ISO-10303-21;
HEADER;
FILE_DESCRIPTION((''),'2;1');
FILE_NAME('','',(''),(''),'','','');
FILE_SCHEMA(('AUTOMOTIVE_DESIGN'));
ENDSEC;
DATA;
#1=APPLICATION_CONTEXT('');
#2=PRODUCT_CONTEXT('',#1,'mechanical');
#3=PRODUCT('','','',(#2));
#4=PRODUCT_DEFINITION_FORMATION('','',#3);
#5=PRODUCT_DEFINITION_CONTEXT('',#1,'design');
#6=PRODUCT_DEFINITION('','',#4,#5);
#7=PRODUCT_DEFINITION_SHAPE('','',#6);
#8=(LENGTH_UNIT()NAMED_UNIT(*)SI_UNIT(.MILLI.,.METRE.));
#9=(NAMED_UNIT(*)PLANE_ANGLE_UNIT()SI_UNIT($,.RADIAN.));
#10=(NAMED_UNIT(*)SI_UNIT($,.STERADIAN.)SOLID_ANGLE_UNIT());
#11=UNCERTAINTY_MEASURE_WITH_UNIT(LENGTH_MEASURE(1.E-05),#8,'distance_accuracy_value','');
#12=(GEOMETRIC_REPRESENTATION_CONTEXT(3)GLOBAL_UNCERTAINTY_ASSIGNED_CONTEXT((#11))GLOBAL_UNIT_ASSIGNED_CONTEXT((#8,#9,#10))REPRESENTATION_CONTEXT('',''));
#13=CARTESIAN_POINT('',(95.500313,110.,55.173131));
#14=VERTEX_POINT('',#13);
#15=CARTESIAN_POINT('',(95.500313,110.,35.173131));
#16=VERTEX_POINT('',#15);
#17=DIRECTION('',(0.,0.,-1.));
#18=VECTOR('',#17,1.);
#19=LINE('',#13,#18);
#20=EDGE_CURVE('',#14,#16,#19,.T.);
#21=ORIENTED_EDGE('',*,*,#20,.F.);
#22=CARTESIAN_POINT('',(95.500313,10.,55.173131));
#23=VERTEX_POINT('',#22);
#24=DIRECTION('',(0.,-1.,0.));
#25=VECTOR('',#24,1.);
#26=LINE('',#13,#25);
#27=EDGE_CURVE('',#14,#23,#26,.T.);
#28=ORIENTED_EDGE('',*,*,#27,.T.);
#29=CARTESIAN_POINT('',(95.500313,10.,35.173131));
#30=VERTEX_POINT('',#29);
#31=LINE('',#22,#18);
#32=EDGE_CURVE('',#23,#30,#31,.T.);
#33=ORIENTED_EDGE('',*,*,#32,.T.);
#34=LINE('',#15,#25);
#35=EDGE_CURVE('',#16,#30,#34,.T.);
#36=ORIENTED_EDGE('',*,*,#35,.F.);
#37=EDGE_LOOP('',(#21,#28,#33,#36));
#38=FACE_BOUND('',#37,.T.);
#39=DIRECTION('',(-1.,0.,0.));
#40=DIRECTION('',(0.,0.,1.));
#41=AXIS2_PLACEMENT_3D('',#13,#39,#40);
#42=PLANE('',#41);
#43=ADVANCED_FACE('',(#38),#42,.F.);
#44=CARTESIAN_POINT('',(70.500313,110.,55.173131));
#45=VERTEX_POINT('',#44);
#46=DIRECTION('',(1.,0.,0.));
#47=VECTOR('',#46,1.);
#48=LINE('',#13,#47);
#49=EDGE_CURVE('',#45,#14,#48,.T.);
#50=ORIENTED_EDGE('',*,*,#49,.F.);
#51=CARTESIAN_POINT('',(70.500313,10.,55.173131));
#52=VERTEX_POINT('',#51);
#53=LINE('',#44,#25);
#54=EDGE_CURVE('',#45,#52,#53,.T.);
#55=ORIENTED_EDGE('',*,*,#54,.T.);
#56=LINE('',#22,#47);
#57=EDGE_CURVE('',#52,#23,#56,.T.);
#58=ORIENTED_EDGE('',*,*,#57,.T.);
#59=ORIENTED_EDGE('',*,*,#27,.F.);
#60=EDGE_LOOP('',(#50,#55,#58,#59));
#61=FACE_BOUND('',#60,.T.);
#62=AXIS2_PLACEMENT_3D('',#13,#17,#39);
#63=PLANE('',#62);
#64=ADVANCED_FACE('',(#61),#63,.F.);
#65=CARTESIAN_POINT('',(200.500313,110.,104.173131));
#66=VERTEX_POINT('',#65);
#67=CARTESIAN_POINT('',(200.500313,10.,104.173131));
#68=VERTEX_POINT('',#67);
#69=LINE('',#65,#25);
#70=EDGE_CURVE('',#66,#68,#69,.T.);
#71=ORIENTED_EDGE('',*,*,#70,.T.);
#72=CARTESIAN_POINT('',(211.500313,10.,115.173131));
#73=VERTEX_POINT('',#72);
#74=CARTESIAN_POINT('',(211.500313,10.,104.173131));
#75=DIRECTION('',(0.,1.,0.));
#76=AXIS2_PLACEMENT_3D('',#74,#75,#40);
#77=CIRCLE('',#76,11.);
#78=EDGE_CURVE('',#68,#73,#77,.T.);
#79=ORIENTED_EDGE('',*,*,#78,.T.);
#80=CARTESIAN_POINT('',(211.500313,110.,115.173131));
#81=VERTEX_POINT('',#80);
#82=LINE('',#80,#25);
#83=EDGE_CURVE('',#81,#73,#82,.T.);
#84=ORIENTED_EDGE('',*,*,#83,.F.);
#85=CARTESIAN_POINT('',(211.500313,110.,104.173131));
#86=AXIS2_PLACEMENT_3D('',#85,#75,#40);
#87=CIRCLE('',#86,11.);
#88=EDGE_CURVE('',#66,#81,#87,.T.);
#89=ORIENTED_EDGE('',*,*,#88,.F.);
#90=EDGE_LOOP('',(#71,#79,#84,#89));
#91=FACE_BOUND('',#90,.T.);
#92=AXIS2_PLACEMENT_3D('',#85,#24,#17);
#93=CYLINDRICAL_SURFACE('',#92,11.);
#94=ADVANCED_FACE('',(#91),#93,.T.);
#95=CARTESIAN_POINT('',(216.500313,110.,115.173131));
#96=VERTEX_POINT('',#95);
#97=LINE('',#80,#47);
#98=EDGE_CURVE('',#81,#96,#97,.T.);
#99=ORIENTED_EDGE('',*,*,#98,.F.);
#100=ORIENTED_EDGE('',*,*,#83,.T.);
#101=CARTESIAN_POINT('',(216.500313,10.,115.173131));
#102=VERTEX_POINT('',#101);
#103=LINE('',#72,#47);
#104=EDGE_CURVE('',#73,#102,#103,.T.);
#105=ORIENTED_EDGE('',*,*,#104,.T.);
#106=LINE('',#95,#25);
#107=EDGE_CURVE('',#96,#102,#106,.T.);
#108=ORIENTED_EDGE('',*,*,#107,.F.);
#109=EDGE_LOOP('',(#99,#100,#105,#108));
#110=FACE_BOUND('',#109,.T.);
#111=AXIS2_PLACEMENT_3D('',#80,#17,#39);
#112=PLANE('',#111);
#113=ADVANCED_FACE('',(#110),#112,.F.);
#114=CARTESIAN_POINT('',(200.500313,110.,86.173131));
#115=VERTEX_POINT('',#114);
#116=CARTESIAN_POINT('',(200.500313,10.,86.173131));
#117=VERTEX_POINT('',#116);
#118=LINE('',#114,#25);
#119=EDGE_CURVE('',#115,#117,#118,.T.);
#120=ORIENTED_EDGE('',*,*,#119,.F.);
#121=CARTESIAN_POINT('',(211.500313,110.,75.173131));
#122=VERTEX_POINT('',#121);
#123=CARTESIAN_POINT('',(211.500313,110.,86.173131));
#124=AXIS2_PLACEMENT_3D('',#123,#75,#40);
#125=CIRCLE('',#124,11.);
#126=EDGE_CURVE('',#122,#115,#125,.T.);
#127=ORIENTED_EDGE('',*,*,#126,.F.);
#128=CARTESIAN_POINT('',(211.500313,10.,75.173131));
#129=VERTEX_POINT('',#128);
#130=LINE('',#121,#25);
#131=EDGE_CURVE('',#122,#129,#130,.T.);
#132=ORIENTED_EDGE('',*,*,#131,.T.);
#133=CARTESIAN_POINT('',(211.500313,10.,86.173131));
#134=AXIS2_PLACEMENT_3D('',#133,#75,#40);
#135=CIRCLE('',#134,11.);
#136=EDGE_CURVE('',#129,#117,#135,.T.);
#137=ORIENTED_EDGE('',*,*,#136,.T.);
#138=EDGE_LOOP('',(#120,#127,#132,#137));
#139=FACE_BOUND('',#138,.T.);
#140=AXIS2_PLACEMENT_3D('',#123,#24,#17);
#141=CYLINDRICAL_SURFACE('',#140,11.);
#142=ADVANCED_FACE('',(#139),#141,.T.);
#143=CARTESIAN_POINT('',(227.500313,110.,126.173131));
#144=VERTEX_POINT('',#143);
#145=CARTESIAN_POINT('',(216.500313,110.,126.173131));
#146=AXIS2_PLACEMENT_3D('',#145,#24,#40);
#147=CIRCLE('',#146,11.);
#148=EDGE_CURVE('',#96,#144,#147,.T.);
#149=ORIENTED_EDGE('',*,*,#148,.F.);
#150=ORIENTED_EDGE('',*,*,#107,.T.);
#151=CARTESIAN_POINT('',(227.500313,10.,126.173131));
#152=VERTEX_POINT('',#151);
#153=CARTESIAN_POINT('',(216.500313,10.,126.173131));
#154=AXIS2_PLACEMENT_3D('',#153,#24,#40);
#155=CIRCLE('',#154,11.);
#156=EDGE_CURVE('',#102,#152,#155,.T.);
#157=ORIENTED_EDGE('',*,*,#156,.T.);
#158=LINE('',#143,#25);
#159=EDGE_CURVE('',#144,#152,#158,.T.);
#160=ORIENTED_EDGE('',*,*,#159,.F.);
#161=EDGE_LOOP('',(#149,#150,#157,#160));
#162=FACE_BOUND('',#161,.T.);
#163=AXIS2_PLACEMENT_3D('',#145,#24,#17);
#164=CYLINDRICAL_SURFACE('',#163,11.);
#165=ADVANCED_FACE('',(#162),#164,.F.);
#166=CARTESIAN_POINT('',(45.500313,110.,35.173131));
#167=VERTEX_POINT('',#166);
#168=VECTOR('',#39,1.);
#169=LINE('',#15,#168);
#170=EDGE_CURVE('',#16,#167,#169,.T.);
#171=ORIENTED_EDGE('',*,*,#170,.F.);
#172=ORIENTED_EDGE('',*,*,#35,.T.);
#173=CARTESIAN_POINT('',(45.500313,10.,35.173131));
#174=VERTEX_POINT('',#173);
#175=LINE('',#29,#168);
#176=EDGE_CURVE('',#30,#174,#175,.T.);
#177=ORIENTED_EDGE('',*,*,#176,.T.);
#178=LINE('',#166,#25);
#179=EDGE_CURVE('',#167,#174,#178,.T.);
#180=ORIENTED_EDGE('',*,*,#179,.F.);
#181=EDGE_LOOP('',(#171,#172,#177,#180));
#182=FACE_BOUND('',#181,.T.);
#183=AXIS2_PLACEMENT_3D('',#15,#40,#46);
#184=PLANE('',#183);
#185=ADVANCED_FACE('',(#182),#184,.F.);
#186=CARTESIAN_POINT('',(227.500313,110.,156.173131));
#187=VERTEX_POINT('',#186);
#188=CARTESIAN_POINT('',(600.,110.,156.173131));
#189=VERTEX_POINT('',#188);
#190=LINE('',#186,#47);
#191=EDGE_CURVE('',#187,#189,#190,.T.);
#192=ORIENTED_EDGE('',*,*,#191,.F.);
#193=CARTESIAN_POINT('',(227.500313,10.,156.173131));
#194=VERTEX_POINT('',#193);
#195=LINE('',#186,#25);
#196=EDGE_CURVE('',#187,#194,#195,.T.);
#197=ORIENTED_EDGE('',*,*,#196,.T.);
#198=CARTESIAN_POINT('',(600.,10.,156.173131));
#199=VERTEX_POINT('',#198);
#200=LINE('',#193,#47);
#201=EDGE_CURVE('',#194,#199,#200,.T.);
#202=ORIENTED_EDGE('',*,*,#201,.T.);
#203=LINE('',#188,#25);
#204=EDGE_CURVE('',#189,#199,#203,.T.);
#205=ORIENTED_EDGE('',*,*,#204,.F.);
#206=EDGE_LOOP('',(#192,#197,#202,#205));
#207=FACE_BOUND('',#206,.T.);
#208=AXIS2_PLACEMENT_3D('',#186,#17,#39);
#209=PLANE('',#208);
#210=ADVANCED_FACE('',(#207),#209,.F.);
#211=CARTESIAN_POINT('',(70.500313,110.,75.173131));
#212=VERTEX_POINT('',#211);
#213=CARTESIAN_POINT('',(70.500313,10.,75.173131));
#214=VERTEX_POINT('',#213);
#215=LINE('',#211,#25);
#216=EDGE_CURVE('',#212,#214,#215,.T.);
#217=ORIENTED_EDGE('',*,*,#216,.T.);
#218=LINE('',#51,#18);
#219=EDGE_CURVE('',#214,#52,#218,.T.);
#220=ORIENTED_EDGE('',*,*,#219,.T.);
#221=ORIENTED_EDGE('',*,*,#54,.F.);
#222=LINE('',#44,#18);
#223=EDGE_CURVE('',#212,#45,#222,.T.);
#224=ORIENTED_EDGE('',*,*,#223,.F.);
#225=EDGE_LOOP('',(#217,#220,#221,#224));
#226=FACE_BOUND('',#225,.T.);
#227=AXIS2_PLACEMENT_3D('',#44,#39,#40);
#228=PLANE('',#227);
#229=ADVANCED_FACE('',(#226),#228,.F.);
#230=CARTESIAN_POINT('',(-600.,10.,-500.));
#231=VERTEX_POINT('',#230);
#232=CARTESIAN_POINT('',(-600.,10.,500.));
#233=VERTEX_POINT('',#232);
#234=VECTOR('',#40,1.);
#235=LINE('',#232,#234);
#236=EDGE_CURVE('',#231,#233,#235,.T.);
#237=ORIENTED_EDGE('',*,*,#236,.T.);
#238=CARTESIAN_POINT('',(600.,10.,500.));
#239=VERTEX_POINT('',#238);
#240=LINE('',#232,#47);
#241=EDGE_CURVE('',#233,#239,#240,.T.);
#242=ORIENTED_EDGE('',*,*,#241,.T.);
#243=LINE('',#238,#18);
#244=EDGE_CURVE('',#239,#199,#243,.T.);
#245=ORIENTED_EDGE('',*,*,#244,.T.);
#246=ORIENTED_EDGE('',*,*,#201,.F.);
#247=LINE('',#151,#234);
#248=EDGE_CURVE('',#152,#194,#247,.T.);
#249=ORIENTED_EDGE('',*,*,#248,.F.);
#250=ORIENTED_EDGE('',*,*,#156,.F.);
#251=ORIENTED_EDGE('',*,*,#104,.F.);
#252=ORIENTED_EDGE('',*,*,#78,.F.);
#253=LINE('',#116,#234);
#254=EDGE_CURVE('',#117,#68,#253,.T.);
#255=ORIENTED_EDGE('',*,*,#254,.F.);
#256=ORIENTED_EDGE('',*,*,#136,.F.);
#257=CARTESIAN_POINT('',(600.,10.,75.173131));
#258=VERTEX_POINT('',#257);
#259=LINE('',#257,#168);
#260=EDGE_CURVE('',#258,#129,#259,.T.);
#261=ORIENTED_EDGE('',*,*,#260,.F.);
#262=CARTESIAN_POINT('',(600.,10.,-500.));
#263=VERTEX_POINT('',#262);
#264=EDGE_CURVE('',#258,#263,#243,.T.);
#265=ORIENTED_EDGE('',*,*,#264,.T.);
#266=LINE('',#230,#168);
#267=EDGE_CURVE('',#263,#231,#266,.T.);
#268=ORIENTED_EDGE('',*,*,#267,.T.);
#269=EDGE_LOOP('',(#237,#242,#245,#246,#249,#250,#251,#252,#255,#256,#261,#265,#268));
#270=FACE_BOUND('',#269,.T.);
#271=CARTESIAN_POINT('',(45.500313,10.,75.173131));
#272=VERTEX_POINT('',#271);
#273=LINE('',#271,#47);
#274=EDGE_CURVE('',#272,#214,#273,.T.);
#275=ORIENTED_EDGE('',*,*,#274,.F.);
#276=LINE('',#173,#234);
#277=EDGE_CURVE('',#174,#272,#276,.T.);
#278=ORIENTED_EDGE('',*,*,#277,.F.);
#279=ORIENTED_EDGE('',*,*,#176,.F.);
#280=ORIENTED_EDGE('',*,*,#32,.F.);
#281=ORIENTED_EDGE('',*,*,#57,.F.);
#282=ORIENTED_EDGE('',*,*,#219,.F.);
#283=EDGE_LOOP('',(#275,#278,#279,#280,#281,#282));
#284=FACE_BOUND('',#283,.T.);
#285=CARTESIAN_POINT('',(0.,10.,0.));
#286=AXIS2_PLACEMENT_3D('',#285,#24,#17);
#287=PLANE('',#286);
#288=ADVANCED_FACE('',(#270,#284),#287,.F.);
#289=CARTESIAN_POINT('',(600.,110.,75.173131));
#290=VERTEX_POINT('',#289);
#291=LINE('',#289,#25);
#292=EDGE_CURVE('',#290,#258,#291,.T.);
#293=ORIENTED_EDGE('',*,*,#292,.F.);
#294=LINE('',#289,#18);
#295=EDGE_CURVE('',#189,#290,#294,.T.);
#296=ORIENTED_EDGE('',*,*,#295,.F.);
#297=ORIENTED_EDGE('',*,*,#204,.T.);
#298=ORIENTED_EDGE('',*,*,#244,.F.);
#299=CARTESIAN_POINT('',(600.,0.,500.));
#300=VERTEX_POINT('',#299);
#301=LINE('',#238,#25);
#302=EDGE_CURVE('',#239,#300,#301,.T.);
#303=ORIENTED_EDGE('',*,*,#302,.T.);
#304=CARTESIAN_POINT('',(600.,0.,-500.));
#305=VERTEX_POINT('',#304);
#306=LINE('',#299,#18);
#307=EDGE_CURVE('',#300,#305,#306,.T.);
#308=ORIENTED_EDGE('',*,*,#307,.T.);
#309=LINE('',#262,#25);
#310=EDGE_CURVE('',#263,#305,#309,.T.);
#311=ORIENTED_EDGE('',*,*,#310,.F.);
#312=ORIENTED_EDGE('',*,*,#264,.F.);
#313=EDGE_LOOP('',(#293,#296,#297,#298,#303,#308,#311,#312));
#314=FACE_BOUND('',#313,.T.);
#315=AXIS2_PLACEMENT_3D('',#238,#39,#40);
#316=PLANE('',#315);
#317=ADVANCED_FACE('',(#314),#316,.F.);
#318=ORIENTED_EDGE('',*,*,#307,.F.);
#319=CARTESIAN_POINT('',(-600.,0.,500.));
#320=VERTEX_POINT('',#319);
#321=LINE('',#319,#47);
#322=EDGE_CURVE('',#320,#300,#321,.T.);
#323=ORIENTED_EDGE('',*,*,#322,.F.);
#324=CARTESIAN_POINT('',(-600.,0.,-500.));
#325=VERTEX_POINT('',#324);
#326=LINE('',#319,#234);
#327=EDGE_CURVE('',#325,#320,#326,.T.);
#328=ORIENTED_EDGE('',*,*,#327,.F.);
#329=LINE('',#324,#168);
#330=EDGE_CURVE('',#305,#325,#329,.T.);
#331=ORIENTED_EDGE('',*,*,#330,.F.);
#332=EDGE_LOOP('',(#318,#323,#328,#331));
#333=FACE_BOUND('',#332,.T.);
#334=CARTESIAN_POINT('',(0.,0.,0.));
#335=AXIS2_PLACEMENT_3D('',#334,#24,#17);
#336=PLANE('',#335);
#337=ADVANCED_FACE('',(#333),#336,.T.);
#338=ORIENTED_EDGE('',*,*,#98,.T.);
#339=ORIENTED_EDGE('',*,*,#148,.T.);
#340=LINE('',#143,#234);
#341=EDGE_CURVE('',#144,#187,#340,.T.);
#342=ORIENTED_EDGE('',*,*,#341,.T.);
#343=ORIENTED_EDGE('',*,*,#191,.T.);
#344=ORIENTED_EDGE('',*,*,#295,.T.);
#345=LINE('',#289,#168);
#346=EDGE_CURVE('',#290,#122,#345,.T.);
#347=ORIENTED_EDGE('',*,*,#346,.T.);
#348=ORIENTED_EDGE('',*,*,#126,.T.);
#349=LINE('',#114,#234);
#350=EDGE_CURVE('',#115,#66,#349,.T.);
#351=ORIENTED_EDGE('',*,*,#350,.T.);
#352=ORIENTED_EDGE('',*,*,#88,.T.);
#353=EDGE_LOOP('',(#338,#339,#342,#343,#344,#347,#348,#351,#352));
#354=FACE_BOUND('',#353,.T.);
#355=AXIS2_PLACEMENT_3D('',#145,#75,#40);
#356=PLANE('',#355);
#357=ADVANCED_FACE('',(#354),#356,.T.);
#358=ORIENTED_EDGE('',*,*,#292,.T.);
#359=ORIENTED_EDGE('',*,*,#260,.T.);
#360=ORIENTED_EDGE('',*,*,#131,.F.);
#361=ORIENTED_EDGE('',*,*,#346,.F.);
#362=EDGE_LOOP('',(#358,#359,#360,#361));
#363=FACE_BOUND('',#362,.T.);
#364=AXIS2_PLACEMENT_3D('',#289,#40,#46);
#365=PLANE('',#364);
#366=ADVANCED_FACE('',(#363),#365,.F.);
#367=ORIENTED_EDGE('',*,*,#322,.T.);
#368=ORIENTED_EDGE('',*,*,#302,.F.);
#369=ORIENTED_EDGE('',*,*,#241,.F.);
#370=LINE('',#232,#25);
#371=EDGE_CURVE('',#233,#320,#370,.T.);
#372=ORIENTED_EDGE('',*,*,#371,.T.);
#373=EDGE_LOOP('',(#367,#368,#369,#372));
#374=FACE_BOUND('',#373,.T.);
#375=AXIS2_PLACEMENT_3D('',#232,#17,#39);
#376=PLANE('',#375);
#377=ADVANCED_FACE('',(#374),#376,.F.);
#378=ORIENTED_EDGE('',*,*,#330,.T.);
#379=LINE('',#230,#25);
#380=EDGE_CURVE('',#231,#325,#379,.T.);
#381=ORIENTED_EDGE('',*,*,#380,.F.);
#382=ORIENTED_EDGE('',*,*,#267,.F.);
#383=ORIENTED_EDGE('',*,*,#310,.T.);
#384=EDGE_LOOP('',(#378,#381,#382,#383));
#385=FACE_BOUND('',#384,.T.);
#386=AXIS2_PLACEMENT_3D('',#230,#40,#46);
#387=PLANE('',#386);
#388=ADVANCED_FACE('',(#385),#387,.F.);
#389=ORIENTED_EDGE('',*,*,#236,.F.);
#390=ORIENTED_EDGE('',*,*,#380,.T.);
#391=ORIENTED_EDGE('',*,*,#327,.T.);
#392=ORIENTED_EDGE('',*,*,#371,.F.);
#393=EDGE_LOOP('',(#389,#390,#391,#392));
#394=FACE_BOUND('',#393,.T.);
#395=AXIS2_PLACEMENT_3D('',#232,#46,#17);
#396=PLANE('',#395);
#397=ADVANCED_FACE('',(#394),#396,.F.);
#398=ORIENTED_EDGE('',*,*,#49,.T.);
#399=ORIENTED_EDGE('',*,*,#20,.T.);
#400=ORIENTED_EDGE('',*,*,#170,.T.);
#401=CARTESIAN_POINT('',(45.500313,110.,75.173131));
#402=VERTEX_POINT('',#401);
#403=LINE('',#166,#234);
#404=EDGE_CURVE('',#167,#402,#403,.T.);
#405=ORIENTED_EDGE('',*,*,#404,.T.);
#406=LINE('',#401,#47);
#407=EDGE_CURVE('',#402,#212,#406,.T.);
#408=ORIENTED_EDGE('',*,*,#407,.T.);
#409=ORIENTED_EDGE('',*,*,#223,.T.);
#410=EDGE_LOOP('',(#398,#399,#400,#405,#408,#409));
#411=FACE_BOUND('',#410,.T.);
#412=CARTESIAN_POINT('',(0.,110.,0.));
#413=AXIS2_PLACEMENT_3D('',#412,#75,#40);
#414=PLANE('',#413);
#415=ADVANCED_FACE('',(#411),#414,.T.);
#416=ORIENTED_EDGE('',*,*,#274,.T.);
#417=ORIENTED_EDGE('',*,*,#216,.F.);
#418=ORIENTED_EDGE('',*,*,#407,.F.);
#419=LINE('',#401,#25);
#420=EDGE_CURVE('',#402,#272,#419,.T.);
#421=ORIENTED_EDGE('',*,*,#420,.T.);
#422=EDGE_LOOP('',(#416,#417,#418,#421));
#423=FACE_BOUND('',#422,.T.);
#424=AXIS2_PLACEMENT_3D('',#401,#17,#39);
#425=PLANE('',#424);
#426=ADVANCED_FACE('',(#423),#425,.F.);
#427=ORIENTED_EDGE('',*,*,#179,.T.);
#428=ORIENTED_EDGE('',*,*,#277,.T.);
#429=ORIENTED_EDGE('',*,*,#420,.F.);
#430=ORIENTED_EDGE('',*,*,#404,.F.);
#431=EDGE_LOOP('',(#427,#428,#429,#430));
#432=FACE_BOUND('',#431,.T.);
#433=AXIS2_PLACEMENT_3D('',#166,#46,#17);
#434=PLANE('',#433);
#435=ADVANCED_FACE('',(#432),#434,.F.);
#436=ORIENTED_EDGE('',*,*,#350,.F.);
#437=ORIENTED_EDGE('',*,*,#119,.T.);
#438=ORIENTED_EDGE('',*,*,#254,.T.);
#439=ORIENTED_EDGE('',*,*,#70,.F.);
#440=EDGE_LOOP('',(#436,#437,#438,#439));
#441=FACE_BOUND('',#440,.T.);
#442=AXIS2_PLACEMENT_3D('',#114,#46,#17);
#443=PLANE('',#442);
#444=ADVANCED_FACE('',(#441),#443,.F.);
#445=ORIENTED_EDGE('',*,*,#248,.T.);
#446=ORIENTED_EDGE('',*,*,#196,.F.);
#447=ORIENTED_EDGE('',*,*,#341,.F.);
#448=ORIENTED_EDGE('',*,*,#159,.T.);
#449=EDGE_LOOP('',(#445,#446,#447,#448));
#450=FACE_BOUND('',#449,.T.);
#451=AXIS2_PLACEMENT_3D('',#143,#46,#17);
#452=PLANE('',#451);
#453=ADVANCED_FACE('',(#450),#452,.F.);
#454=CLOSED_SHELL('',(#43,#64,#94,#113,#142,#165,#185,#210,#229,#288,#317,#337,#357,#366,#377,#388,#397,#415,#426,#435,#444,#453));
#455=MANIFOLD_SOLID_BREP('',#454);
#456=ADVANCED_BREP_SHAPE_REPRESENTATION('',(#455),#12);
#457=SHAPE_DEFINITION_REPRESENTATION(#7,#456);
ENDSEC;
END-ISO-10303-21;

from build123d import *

# Parameters (mm, degrees)
SKETCH2_W           = 1200
SKETCH2_H           = 1000
BOSS_EXTRUDE1_DEPTH = 10
BOSS_EXTRUDE2_DEPTH = 100
BOSS_EXTRUDE3_DEPTH = 100


with BuildPart() as part:
    # Sketch2 → Boss-Extrude1 (new body)
    with BuildSketch(Plane(origin=(0, 0, 0), x_dir=(1, 0, 0), z_dir=(0, 1, 0))):
        Rectangle(SKETCH2_W, SKETCH2_H)
    extrude(amount=BOSS_EXTRUDE1_DEPTH)

    # Sketch4 → Boss-Extrude2 (add)
    with BuildSketch(Plane(origin=(0, 10, 0), x_dir=(1, 0, 0), z_dir=(0, 1, 0))):
        with BuildLine():
            Line((211.500312891, -115.173130931), (216.500312891, -115.173130931))
            ThreePointArc((216.500312891, -115.173130931), (224.278487484, -118.394956338), (227.500312891, -126.173130931))
            Line((227.500312891, -126.173130931), (227.500312891, -156.173130931))
            Line((227.500312891, -156.173130931), (600, -156.173130931))
            Line((600, -156.173130931), (600, -95.173130931))
            Line((600, -95.173130931), (600, -75.173130931))
            Line((600, -75.173130931), (211.500312891, -75.173130931))
            ThreePointArc((211.500312891, -75.173130931), (203.722138298, -78.394956338), (200.500312891, -86.173130931))
            Line((200.500312891, -86.173130931), (200.500312891, -104.173130931))
            ThreePointArc((200.500312891, -104.173130931), (203.722138298, -111.951305524), (211.500312891, -115.173130931))
        make_face()
    extrude(amount=BOSS_EXTRUDE2_DEPTH)

    # Sketch5 → Boss-Extrude3 (add)
    with BuildSketch(Plane(origin=(0, 10, 0), x_dir=(1, 0, 0), z_dir=(0, 1, 0))):
        Polygon((95.500312891, -55.173130931), (95.500312891, -35.173130931), (45.500312891, -35.173130931), (45.500312891, -75.173130931), (70.500312891, -75.173130931), (70.500312891, -55.173130931), align=None)
    extrude(amount=BOSS_EXTRUDE3_DEPTH)


solid = part.part
